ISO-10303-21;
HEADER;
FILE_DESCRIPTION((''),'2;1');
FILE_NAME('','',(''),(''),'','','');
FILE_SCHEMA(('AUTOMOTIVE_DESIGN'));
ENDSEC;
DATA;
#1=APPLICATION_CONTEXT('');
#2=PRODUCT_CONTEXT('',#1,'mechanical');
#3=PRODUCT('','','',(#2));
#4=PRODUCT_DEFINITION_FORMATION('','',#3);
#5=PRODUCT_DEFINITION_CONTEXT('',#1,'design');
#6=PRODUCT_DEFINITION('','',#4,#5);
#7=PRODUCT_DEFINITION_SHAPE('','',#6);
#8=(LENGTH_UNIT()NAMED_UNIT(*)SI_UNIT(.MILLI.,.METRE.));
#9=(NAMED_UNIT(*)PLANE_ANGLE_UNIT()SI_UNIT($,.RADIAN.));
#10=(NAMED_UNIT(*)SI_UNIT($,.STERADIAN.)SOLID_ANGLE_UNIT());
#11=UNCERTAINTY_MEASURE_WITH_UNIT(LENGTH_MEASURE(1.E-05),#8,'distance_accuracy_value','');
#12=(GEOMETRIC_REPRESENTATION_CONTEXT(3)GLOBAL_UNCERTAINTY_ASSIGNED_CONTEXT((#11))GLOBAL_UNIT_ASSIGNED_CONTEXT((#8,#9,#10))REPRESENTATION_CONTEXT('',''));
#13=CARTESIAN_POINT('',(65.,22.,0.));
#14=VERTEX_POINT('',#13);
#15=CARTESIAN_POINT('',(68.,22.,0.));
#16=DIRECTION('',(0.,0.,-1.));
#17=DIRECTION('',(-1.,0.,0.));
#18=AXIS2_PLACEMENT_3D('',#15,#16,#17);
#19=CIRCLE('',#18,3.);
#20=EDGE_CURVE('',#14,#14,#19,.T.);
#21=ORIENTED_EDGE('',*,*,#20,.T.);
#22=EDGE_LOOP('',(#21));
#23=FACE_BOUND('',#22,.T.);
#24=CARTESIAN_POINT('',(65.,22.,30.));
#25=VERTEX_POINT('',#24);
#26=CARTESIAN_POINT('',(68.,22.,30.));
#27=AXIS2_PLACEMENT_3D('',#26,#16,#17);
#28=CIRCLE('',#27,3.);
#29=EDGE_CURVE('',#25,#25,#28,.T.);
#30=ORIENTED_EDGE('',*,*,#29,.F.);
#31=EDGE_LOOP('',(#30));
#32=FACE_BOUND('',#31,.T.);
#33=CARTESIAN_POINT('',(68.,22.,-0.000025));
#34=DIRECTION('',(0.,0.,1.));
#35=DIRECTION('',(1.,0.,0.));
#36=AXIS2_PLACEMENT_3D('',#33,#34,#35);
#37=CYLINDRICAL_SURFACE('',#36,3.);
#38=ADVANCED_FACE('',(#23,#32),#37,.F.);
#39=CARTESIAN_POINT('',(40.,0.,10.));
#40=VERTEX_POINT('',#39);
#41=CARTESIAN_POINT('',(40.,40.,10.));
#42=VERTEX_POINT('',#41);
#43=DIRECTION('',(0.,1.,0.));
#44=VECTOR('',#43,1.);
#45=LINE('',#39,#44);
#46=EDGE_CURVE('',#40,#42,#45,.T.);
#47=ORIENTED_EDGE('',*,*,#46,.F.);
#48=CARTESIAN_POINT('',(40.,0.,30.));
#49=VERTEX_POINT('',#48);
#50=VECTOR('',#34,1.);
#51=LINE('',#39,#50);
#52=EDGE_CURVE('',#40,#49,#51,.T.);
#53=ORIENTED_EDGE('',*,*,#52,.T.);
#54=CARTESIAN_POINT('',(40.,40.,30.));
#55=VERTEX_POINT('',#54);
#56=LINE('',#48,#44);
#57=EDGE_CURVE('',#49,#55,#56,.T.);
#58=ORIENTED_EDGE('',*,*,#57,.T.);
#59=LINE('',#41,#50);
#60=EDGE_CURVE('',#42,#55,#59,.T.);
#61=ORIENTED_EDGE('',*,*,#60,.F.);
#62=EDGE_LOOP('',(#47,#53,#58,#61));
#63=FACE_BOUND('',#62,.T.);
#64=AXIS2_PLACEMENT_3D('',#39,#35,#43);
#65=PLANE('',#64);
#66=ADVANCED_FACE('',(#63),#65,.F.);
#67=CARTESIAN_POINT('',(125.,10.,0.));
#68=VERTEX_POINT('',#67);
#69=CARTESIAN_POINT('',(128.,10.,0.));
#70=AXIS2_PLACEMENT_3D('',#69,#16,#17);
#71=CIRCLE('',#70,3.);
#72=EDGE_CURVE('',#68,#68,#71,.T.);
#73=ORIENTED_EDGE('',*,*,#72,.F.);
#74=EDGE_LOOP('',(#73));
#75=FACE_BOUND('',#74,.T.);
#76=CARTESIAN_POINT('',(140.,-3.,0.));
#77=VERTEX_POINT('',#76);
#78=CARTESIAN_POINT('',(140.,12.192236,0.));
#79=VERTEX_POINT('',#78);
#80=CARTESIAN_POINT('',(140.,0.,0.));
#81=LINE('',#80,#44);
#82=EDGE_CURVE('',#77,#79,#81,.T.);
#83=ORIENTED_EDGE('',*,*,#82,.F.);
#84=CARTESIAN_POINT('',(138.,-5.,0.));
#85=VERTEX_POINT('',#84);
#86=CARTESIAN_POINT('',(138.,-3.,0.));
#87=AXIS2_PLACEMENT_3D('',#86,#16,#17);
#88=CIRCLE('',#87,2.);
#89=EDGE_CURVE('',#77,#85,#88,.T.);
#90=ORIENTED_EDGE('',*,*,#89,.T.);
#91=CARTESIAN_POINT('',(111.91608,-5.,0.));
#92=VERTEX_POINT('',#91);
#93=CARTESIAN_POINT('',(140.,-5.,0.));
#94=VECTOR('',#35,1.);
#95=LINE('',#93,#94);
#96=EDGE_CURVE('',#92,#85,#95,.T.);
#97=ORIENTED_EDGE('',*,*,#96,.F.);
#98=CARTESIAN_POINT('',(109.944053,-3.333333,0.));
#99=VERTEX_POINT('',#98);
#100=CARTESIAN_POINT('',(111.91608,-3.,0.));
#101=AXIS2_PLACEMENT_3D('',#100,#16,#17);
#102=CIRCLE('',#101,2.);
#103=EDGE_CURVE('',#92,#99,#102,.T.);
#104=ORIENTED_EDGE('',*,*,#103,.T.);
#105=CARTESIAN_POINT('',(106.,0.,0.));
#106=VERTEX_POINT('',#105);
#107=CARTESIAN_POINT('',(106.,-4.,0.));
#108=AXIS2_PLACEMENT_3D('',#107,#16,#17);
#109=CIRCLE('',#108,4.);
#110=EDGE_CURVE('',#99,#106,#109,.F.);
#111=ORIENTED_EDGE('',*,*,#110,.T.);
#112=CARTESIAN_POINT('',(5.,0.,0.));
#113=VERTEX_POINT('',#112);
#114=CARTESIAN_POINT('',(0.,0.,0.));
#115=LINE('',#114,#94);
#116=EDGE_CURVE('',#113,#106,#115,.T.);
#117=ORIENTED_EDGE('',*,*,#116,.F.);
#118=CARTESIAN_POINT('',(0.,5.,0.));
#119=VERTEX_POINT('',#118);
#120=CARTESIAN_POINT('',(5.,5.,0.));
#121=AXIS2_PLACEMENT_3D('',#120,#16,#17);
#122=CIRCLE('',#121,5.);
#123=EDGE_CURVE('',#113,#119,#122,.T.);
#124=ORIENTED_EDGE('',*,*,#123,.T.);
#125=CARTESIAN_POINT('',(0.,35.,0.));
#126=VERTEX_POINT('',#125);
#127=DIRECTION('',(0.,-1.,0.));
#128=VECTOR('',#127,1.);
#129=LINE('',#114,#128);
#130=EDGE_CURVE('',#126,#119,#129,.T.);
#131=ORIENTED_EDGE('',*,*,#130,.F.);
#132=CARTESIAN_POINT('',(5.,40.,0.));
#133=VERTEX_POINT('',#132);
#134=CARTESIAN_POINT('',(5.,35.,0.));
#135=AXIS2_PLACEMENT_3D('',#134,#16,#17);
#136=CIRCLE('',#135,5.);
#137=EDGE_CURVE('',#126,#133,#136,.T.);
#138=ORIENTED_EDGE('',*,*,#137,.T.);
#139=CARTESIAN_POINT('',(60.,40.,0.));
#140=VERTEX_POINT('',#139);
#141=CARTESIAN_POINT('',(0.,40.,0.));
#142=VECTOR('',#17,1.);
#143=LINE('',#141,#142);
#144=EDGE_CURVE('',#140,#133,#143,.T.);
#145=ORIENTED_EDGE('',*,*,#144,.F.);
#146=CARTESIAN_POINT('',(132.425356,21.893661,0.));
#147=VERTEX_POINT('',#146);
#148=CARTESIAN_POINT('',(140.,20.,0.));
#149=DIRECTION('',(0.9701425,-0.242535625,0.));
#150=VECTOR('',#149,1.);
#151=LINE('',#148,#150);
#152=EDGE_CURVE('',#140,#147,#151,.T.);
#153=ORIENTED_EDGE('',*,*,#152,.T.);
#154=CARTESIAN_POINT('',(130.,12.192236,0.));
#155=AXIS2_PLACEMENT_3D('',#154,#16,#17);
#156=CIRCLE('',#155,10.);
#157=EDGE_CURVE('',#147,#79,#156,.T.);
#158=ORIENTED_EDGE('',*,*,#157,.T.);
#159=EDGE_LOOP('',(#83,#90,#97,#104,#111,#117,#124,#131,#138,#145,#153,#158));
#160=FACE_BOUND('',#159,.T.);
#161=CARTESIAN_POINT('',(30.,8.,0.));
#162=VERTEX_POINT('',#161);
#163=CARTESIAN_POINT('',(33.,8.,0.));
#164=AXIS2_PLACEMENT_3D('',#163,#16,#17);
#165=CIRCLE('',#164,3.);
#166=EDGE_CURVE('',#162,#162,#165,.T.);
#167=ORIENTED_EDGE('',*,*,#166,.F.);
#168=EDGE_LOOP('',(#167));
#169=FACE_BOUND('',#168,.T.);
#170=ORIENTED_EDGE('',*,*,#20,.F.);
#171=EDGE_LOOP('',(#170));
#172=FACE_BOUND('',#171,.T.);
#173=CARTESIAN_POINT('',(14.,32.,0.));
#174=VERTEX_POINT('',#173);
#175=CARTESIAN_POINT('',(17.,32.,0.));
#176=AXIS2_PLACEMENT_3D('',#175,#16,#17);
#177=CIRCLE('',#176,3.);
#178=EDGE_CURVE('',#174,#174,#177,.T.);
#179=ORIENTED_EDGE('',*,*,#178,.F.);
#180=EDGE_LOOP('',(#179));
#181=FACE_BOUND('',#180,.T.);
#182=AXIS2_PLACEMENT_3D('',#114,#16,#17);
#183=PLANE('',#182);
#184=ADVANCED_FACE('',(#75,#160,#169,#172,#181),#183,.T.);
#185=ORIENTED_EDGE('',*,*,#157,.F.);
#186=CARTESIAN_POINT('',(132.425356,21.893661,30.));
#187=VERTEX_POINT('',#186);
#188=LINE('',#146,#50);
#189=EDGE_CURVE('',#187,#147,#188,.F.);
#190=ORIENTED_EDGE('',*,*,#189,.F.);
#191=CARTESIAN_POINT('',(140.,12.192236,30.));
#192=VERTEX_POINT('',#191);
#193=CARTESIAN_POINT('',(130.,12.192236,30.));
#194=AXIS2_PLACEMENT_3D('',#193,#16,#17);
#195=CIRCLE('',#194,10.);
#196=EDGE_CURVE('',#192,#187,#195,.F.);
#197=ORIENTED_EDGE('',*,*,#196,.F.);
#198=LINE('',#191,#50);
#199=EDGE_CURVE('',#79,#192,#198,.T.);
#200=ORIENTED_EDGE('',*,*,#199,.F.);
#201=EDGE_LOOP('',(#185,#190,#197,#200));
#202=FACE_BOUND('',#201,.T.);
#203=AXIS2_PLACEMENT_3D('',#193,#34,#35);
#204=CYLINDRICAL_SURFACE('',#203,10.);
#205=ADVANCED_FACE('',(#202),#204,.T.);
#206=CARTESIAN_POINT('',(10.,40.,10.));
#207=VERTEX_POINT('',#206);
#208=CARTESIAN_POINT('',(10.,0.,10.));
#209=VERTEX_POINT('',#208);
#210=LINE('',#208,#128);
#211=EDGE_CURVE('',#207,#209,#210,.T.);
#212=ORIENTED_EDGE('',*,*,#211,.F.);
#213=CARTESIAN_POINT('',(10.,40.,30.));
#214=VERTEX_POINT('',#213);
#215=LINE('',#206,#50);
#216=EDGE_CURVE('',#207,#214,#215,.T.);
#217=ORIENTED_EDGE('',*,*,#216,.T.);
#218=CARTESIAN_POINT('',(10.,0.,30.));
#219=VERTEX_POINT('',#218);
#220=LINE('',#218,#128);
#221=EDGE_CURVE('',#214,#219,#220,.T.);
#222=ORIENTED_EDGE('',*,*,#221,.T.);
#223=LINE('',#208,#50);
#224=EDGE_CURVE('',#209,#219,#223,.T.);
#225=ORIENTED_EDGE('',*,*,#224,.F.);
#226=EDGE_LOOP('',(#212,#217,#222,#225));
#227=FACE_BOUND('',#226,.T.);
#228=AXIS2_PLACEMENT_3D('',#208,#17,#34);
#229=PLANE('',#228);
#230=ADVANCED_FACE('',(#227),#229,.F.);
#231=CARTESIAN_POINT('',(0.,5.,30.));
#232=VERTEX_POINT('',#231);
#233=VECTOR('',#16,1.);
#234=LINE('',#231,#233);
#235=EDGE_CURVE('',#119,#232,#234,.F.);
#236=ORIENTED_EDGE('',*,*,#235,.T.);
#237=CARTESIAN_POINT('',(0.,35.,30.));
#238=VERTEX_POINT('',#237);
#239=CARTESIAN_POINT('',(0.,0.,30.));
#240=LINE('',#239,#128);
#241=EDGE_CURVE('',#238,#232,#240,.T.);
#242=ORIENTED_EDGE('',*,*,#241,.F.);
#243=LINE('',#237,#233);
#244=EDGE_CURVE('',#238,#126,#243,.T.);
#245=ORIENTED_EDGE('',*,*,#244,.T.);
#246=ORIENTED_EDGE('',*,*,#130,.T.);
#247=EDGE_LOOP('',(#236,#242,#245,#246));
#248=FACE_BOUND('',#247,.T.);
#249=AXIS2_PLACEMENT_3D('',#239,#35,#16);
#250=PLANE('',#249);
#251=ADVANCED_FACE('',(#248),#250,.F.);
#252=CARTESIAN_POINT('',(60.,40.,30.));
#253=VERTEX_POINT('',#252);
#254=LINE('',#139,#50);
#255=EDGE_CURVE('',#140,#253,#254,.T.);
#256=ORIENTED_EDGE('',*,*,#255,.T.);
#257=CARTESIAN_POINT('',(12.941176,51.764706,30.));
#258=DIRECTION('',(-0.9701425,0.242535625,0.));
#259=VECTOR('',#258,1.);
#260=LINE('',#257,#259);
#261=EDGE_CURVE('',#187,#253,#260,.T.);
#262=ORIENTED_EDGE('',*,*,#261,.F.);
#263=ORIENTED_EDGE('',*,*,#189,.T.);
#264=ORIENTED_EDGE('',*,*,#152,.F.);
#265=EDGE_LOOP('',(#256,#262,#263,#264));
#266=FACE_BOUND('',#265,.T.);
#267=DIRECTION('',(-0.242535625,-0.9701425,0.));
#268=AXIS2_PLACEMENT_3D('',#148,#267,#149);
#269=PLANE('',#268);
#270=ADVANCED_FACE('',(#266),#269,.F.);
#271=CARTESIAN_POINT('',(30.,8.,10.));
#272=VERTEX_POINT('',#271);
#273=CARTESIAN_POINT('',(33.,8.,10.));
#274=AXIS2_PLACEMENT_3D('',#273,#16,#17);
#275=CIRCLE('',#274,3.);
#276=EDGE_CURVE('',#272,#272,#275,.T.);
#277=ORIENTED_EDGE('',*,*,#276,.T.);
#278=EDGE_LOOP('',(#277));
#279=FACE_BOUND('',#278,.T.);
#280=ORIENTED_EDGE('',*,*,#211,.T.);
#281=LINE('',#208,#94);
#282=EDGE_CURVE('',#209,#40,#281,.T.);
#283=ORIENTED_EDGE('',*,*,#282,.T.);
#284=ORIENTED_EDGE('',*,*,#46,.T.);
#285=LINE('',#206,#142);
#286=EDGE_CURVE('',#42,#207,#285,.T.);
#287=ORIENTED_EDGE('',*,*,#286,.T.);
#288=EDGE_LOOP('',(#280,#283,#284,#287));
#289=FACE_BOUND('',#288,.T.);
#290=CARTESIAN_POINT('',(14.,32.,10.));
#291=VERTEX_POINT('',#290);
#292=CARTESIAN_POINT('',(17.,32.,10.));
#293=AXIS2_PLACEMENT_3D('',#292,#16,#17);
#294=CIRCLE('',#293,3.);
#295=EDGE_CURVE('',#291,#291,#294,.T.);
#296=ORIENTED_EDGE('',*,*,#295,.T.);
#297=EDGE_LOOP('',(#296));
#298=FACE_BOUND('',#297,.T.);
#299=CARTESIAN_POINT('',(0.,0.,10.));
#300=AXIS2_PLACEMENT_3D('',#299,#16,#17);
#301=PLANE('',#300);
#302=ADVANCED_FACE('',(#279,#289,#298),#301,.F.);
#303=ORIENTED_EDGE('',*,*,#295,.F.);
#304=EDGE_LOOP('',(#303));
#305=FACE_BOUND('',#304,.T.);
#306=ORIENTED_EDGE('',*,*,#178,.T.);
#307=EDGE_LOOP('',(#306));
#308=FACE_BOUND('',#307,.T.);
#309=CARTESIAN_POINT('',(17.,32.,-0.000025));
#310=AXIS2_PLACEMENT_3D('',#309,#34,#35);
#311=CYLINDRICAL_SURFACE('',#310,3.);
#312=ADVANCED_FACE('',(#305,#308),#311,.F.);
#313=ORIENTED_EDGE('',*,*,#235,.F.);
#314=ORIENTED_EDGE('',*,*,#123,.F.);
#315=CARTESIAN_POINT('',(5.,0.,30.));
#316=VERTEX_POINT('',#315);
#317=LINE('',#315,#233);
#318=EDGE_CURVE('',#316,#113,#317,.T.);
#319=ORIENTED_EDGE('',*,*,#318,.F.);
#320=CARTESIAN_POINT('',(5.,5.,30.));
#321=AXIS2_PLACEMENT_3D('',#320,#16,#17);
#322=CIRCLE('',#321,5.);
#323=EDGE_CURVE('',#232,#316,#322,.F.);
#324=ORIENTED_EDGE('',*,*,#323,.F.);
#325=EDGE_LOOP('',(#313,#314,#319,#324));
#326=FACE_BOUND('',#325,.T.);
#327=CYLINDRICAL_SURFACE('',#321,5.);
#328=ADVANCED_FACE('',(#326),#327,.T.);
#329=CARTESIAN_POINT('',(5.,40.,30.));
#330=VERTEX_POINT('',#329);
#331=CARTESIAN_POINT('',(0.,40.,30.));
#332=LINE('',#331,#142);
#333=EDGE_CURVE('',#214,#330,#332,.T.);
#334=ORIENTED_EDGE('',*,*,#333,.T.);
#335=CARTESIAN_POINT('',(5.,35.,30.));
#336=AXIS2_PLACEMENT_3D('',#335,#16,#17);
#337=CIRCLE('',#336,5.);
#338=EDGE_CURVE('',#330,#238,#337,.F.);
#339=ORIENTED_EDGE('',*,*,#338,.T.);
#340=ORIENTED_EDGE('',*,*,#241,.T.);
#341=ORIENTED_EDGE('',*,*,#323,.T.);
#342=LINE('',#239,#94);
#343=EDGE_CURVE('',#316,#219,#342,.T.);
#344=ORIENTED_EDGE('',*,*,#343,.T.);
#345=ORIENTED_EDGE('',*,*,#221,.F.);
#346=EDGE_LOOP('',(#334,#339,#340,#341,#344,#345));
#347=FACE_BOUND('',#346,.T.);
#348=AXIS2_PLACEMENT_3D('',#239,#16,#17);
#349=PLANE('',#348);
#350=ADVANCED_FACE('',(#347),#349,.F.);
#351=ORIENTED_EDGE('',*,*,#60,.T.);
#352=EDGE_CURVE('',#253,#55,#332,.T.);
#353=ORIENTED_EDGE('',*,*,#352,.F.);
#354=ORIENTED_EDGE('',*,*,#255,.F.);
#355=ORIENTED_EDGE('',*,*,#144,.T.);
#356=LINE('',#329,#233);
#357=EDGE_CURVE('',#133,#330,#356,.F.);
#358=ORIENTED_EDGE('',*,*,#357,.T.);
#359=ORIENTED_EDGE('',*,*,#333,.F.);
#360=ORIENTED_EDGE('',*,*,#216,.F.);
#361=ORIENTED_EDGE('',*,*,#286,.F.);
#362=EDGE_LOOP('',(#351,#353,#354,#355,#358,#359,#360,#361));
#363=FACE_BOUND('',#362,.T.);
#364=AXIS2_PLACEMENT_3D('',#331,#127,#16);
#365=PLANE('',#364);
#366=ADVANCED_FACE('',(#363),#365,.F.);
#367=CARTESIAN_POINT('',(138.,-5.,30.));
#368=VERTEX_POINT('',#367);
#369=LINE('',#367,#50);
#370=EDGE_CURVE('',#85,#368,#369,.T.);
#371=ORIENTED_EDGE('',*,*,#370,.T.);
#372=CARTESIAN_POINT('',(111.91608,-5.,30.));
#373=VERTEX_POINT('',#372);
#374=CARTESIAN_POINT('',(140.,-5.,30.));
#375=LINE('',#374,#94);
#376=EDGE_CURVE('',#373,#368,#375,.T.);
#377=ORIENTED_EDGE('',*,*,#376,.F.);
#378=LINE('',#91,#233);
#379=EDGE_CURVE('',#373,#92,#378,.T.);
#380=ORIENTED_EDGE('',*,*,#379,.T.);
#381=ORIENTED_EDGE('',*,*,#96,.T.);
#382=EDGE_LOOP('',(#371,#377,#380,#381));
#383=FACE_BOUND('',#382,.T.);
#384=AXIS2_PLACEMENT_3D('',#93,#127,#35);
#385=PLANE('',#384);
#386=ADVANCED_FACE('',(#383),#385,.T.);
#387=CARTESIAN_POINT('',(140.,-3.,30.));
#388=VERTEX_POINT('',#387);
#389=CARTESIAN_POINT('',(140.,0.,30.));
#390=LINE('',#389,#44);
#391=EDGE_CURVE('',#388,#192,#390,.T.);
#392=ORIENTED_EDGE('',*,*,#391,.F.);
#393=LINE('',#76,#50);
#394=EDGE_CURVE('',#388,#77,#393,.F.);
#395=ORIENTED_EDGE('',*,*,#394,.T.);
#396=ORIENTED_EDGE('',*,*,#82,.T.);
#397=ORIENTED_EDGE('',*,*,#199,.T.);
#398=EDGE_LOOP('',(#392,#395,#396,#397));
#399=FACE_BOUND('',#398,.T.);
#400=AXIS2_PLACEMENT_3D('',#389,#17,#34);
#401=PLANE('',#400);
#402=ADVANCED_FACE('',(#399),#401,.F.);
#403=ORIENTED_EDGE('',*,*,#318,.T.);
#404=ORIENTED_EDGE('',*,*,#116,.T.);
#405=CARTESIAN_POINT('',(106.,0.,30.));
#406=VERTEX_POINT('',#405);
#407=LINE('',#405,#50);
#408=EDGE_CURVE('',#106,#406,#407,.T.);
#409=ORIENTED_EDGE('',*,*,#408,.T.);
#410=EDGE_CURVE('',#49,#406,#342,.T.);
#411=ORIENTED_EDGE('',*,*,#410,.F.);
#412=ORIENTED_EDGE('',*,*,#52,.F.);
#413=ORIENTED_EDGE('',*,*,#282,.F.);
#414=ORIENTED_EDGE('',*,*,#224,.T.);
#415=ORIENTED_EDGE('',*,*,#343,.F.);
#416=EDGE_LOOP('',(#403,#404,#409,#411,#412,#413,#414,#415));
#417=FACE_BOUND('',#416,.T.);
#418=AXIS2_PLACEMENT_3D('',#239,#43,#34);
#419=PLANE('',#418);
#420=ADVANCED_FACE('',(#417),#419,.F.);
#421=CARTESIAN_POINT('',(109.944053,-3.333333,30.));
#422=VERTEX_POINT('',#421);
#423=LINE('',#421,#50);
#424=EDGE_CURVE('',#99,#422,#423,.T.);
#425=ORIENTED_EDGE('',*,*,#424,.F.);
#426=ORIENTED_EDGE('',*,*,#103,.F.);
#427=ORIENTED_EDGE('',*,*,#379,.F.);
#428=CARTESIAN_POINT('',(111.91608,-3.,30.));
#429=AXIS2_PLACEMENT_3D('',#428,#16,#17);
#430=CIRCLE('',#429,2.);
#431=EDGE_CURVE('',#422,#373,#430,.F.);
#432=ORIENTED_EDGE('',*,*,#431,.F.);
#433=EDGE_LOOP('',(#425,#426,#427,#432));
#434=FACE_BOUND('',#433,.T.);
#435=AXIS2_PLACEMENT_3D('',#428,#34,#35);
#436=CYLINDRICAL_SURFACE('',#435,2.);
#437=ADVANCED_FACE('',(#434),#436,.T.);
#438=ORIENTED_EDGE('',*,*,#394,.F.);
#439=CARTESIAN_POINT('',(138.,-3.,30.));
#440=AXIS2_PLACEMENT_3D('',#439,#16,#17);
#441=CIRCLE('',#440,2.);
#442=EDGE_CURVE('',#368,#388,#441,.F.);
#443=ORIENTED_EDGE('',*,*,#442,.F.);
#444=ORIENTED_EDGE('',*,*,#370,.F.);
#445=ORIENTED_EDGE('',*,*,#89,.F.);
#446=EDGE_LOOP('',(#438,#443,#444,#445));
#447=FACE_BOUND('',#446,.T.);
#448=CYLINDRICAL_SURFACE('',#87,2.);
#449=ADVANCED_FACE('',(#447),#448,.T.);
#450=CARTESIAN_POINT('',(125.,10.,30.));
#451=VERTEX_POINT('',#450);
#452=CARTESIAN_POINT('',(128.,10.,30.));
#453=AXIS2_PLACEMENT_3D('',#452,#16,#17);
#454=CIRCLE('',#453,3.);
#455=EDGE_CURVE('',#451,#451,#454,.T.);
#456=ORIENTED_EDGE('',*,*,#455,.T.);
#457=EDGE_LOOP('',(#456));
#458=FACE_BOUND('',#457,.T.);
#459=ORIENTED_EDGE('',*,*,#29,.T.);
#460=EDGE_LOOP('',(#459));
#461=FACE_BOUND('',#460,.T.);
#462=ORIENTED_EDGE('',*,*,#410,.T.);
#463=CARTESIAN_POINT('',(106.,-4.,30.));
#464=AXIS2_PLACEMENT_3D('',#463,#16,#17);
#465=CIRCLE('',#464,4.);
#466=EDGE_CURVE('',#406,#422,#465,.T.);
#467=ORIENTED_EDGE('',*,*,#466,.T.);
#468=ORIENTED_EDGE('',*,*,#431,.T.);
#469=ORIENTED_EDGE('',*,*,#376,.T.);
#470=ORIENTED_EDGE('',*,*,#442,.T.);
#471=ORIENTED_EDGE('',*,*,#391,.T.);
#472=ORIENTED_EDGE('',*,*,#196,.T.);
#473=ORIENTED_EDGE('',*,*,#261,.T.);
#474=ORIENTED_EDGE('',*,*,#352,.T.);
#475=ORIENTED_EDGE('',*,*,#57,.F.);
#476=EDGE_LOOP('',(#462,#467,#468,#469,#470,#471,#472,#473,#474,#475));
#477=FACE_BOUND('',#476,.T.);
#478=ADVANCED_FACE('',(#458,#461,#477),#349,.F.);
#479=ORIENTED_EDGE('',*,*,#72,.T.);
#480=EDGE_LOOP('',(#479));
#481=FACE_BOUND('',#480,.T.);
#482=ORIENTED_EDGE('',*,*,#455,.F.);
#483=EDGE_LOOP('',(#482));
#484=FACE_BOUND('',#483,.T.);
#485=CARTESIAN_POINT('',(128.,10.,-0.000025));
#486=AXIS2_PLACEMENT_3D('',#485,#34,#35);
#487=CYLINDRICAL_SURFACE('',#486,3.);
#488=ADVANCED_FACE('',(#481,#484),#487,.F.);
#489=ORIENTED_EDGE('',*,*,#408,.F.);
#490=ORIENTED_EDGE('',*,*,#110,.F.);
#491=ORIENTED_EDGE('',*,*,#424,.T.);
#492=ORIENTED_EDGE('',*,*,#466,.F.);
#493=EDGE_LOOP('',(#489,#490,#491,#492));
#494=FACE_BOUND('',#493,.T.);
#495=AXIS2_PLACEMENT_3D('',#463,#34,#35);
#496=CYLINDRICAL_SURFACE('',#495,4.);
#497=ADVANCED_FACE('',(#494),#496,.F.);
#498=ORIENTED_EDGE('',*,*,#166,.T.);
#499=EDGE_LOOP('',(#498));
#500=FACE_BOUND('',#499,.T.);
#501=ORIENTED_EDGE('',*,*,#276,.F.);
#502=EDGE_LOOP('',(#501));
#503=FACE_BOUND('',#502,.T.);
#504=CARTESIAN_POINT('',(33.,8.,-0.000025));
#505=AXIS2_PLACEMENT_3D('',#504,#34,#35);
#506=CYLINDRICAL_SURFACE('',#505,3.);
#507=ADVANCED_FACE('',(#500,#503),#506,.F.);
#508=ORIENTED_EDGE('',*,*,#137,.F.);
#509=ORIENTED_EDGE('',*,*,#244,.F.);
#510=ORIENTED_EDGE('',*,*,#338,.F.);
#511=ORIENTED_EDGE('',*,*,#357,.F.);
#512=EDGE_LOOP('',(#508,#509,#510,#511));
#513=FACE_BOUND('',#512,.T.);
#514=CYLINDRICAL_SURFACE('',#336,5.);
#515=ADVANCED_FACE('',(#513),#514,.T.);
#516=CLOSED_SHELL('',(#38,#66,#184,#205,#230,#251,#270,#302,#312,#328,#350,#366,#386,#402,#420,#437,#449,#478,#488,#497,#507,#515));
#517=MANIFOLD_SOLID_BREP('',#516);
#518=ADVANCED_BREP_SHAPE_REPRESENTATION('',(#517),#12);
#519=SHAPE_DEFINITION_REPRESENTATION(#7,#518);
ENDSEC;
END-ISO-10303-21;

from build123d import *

# Parameters (mm, degrees)
ESQUISSE1_W                  = 140
ESQUISSE1_H                  = 40
BOSS_EXTRU_1_DEPTH           = 30
ESQUISSE2_W                  = 30
ESQUISSE2_H                  = 40
ENL_V_MAT_EXTRU_1_DEPTH      = 20
ENL_V_MAT_EXTRU_2_DEPTH      = 149.660687473
ENL_V_MAT_EXTRU_2_DEPTH_BACK = 149.660687473
ENL_V_MAT_EXTRU_6_DEPTH      = 149.660687473
ENL_V_MAT_EXTRU_6_DEPTH_BACK = 149.660687473
ESQUISSE5_R                  = 3
CONG_1_R                     = 10
ESQUISSE6_W                  = 30
ESQUISSE6_H                  = 5
BOSS_EXTRU_2_DEPTH           = 30
CONG_2_R                     = 4
CONG_3_R                     = 2
CONG_4_R                     = 5


with BuildPart() as part:
    # Esquisse1 → Boss.-Extru.1 (new body)
    with BuildSketch(Plane.XY):
        with Locations((70, 20)):
            Rectangle(ESQUISSE1_W, ESQUISSE1_H)
    extrude(amount=BOSS_EXTRU_1_DEPTH)

    # Esquisse2 → Enlèv. mat.-Extru.1 (cut)
    with BuildSketch(Plane.XY.offset(30)):
        with Locations((25, 20)):
            Rectangle(ESQUISSE2_W, ESQUISSE2_H)
    extrude(amount=-ENL_V_MAT_EXTRU_1_DEPTH, mode=Mode.SUBTRACT)

    # Esquisse3 → Enlèv. mat.-Extru.2 (cut, two sides: drawn at the far end of the back side and taken through both)
    with BuildSketch(Plane.XY.offset(30).offset(-ENL_V_MAT_EXTRU_2_DEPTH_BACK)):
        Polygon((140, 20), (60, 40), (140, 40), align=None)
    extrude(amount=ENL_V_MAT_EXTRU_2_DEPTH + ENL_V_MAT_EXTRU_2_DEPTH_BACK, mode=Mode.SUBTRACT)

    # Esquisse5 → Enlèv. mat.-Extru.6 (cut, two sides: drawn at the far end of the back side and taken through both)
    with BuildSketch(Plane.XY.offset(30).offset(-ENL_V_MAT_EXTRU_6_DEPTH_BACK)):
        with Locations(Location((17, 32, 0), (0, 0, 180))):
            Circle(ESQUISSE5_R)
        with Locations(Location((33, 8, 0), (0, 0, 180))):
            Circle(ESQUISSE5_R)
        with Locations(Location((68, 22, 0), (0, 0, 180))):
            Circle(ESQUISSE5_R)
        with Locations(Location((128, 10, 0), (0, 0, 180))):
            Circle(ESQUISSE5_R)
    extrude(amount=ENL_V_MAT_EXTRU_6_DEPTH + ENL_V_MAT_EXTRU_6_DEPTH_BACK, mode=Mode.SUBTRACT)

    # Congé1
    cong_1_edges = [part.edges().sort_by_distance(p)[0] for p in [
        (140, 20, 15),
    ]]
    fillet(cong_1_edges, radius=CONG_1_R)

    # Esquisse6 → Boss.-Extru.2 (add)
    with BuildSketch(Plane.XY.offset(30)):
        with Locations((125, -2.5)):
            Rectangle(ESQUISSE6_W, ESQUISSE6_H)
    extrude(amount=-BOSS_EXTRU_2_DEPTH)

    # Congé2
    cong_2_edges = [part.edges().sort_by_distance(p)[0] for p in [
        (110, 0, 15),
    ]]
    fillet(cong_2_edges, radius=CONG_2_R)

    # Congé3
    cong_3_edges = [part.edges().sort_by_distance(p)[0] for p in [
        (140, -5, 15),
        (110, -5, 15),
    ]]
    fillet(cong_3_edges, radius=CONG_3_R)

    # Congé4
    cong_4_edges = [part.edges().sort_by_distance(p)[0] for p in [
        (0, 40, 15),
        (0, 0, 15),
    ]]
    fillet(cong_4_edges, radius=CONG_4_R)


solid = part.part
